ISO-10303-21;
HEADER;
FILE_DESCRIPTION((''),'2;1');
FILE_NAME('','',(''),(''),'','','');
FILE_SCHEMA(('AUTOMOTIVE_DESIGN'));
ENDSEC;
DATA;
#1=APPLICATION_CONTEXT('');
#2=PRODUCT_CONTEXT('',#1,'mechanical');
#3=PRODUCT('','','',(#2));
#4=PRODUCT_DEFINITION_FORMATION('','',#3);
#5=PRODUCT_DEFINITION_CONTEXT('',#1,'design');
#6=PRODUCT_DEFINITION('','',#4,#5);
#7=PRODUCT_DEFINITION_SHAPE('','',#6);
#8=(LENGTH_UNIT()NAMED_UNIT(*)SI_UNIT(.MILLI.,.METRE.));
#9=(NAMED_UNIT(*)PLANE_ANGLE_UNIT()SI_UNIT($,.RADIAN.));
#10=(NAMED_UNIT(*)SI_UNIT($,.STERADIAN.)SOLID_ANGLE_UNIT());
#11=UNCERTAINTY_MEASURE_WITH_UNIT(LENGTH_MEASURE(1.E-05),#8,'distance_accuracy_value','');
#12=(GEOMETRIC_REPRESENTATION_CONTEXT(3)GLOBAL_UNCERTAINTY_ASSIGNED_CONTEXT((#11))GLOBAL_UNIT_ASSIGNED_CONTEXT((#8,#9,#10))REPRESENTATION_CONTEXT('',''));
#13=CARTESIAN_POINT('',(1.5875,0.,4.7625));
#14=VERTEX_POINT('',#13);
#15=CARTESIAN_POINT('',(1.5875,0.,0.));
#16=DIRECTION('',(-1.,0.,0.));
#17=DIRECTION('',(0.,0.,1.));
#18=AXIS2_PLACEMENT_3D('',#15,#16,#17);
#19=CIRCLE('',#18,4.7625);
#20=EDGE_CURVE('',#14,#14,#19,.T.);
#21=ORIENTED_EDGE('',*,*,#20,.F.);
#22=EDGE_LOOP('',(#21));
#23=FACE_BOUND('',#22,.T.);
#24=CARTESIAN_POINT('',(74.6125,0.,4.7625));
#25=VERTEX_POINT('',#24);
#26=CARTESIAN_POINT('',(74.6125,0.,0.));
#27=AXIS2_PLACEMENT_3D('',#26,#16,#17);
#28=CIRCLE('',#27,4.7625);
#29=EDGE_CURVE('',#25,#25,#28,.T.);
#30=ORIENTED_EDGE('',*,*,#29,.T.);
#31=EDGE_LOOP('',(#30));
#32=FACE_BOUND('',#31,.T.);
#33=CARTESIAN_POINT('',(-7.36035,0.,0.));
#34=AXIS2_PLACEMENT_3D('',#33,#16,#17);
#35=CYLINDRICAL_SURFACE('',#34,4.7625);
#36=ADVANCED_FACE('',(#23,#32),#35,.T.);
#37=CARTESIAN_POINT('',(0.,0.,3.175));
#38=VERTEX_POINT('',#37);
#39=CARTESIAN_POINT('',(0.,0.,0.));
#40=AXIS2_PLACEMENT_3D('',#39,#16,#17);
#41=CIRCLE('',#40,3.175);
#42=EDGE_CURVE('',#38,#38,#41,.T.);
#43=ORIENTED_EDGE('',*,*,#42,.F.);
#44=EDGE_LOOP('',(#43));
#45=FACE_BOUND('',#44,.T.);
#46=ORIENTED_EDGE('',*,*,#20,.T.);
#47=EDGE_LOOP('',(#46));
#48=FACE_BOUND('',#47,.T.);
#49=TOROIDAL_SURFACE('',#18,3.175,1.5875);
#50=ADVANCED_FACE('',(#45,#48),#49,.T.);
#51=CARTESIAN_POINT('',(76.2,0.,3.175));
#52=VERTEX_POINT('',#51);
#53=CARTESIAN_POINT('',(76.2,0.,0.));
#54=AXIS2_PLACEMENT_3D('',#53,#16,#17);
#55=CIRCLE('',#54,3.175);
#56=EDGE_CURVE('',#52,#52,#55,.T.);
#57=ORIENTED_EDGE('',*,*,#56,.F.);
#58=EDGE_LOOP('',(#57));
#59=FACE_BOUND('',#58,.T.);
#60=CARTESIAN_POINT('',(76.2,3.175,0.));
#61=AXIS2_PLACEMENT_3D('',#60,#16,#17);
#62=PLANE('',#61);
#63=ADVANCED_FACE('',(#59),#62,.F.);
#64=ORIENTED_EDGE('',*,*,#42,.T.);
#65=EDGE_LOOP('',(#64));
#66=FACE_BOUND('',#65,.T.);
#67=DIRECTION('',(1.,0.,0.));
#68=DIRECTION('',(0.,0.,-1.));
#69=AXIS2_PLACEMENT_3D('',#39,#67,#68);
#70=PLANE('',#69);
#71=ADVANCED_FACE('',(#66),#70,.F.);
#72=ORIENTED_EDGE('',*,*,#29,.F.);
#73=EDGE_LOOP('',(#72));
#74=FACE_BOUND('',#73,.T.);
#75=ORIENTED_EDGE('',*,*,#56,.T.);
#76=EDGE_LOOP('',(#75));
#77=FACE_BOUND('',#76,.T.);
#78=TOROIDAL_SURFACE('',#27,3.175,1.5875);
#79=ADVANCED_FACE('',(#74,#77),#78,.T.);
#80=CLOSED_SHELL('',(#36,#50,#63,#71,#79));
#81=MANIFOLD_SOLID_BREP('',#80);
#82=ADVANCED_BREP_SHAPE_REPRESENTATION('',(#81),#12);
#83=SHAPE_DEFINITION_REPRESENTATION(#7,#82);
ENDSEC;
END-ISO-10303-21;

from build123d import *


with BuildPart() as part:
    # Sketch1 → Revolve1 (revolve)
    with BuildSketch(Plane.XY, mode=Mode.PRIVATE) as revolve1_sk:
        with BuildLine():
            Line((0, 0), (0, 3.175))
            ThreePointArc((0, 3.175), (0.464967985, 4.297532015), (1.5875, 4.7625))
            Line((1.5875, 4.7625), (74.6125, 4.7625))
            ThreePointArc((74.6125, 4.7625), (75.735032015, 4.297532015), (76.2, 3.175))
            Line((76.2, 3.175), (76.2, 0))
            Line((76.2, 0), (0, 0))
        make_face()
    revolve(revolve1_sk.sketch.rotate(Axis((-7.360350386, 0, 0), (1, 0, 0)), 90), axis=Axis((-7.360350386, 0, 0), (1, 0, 0)))


solid = part.part
